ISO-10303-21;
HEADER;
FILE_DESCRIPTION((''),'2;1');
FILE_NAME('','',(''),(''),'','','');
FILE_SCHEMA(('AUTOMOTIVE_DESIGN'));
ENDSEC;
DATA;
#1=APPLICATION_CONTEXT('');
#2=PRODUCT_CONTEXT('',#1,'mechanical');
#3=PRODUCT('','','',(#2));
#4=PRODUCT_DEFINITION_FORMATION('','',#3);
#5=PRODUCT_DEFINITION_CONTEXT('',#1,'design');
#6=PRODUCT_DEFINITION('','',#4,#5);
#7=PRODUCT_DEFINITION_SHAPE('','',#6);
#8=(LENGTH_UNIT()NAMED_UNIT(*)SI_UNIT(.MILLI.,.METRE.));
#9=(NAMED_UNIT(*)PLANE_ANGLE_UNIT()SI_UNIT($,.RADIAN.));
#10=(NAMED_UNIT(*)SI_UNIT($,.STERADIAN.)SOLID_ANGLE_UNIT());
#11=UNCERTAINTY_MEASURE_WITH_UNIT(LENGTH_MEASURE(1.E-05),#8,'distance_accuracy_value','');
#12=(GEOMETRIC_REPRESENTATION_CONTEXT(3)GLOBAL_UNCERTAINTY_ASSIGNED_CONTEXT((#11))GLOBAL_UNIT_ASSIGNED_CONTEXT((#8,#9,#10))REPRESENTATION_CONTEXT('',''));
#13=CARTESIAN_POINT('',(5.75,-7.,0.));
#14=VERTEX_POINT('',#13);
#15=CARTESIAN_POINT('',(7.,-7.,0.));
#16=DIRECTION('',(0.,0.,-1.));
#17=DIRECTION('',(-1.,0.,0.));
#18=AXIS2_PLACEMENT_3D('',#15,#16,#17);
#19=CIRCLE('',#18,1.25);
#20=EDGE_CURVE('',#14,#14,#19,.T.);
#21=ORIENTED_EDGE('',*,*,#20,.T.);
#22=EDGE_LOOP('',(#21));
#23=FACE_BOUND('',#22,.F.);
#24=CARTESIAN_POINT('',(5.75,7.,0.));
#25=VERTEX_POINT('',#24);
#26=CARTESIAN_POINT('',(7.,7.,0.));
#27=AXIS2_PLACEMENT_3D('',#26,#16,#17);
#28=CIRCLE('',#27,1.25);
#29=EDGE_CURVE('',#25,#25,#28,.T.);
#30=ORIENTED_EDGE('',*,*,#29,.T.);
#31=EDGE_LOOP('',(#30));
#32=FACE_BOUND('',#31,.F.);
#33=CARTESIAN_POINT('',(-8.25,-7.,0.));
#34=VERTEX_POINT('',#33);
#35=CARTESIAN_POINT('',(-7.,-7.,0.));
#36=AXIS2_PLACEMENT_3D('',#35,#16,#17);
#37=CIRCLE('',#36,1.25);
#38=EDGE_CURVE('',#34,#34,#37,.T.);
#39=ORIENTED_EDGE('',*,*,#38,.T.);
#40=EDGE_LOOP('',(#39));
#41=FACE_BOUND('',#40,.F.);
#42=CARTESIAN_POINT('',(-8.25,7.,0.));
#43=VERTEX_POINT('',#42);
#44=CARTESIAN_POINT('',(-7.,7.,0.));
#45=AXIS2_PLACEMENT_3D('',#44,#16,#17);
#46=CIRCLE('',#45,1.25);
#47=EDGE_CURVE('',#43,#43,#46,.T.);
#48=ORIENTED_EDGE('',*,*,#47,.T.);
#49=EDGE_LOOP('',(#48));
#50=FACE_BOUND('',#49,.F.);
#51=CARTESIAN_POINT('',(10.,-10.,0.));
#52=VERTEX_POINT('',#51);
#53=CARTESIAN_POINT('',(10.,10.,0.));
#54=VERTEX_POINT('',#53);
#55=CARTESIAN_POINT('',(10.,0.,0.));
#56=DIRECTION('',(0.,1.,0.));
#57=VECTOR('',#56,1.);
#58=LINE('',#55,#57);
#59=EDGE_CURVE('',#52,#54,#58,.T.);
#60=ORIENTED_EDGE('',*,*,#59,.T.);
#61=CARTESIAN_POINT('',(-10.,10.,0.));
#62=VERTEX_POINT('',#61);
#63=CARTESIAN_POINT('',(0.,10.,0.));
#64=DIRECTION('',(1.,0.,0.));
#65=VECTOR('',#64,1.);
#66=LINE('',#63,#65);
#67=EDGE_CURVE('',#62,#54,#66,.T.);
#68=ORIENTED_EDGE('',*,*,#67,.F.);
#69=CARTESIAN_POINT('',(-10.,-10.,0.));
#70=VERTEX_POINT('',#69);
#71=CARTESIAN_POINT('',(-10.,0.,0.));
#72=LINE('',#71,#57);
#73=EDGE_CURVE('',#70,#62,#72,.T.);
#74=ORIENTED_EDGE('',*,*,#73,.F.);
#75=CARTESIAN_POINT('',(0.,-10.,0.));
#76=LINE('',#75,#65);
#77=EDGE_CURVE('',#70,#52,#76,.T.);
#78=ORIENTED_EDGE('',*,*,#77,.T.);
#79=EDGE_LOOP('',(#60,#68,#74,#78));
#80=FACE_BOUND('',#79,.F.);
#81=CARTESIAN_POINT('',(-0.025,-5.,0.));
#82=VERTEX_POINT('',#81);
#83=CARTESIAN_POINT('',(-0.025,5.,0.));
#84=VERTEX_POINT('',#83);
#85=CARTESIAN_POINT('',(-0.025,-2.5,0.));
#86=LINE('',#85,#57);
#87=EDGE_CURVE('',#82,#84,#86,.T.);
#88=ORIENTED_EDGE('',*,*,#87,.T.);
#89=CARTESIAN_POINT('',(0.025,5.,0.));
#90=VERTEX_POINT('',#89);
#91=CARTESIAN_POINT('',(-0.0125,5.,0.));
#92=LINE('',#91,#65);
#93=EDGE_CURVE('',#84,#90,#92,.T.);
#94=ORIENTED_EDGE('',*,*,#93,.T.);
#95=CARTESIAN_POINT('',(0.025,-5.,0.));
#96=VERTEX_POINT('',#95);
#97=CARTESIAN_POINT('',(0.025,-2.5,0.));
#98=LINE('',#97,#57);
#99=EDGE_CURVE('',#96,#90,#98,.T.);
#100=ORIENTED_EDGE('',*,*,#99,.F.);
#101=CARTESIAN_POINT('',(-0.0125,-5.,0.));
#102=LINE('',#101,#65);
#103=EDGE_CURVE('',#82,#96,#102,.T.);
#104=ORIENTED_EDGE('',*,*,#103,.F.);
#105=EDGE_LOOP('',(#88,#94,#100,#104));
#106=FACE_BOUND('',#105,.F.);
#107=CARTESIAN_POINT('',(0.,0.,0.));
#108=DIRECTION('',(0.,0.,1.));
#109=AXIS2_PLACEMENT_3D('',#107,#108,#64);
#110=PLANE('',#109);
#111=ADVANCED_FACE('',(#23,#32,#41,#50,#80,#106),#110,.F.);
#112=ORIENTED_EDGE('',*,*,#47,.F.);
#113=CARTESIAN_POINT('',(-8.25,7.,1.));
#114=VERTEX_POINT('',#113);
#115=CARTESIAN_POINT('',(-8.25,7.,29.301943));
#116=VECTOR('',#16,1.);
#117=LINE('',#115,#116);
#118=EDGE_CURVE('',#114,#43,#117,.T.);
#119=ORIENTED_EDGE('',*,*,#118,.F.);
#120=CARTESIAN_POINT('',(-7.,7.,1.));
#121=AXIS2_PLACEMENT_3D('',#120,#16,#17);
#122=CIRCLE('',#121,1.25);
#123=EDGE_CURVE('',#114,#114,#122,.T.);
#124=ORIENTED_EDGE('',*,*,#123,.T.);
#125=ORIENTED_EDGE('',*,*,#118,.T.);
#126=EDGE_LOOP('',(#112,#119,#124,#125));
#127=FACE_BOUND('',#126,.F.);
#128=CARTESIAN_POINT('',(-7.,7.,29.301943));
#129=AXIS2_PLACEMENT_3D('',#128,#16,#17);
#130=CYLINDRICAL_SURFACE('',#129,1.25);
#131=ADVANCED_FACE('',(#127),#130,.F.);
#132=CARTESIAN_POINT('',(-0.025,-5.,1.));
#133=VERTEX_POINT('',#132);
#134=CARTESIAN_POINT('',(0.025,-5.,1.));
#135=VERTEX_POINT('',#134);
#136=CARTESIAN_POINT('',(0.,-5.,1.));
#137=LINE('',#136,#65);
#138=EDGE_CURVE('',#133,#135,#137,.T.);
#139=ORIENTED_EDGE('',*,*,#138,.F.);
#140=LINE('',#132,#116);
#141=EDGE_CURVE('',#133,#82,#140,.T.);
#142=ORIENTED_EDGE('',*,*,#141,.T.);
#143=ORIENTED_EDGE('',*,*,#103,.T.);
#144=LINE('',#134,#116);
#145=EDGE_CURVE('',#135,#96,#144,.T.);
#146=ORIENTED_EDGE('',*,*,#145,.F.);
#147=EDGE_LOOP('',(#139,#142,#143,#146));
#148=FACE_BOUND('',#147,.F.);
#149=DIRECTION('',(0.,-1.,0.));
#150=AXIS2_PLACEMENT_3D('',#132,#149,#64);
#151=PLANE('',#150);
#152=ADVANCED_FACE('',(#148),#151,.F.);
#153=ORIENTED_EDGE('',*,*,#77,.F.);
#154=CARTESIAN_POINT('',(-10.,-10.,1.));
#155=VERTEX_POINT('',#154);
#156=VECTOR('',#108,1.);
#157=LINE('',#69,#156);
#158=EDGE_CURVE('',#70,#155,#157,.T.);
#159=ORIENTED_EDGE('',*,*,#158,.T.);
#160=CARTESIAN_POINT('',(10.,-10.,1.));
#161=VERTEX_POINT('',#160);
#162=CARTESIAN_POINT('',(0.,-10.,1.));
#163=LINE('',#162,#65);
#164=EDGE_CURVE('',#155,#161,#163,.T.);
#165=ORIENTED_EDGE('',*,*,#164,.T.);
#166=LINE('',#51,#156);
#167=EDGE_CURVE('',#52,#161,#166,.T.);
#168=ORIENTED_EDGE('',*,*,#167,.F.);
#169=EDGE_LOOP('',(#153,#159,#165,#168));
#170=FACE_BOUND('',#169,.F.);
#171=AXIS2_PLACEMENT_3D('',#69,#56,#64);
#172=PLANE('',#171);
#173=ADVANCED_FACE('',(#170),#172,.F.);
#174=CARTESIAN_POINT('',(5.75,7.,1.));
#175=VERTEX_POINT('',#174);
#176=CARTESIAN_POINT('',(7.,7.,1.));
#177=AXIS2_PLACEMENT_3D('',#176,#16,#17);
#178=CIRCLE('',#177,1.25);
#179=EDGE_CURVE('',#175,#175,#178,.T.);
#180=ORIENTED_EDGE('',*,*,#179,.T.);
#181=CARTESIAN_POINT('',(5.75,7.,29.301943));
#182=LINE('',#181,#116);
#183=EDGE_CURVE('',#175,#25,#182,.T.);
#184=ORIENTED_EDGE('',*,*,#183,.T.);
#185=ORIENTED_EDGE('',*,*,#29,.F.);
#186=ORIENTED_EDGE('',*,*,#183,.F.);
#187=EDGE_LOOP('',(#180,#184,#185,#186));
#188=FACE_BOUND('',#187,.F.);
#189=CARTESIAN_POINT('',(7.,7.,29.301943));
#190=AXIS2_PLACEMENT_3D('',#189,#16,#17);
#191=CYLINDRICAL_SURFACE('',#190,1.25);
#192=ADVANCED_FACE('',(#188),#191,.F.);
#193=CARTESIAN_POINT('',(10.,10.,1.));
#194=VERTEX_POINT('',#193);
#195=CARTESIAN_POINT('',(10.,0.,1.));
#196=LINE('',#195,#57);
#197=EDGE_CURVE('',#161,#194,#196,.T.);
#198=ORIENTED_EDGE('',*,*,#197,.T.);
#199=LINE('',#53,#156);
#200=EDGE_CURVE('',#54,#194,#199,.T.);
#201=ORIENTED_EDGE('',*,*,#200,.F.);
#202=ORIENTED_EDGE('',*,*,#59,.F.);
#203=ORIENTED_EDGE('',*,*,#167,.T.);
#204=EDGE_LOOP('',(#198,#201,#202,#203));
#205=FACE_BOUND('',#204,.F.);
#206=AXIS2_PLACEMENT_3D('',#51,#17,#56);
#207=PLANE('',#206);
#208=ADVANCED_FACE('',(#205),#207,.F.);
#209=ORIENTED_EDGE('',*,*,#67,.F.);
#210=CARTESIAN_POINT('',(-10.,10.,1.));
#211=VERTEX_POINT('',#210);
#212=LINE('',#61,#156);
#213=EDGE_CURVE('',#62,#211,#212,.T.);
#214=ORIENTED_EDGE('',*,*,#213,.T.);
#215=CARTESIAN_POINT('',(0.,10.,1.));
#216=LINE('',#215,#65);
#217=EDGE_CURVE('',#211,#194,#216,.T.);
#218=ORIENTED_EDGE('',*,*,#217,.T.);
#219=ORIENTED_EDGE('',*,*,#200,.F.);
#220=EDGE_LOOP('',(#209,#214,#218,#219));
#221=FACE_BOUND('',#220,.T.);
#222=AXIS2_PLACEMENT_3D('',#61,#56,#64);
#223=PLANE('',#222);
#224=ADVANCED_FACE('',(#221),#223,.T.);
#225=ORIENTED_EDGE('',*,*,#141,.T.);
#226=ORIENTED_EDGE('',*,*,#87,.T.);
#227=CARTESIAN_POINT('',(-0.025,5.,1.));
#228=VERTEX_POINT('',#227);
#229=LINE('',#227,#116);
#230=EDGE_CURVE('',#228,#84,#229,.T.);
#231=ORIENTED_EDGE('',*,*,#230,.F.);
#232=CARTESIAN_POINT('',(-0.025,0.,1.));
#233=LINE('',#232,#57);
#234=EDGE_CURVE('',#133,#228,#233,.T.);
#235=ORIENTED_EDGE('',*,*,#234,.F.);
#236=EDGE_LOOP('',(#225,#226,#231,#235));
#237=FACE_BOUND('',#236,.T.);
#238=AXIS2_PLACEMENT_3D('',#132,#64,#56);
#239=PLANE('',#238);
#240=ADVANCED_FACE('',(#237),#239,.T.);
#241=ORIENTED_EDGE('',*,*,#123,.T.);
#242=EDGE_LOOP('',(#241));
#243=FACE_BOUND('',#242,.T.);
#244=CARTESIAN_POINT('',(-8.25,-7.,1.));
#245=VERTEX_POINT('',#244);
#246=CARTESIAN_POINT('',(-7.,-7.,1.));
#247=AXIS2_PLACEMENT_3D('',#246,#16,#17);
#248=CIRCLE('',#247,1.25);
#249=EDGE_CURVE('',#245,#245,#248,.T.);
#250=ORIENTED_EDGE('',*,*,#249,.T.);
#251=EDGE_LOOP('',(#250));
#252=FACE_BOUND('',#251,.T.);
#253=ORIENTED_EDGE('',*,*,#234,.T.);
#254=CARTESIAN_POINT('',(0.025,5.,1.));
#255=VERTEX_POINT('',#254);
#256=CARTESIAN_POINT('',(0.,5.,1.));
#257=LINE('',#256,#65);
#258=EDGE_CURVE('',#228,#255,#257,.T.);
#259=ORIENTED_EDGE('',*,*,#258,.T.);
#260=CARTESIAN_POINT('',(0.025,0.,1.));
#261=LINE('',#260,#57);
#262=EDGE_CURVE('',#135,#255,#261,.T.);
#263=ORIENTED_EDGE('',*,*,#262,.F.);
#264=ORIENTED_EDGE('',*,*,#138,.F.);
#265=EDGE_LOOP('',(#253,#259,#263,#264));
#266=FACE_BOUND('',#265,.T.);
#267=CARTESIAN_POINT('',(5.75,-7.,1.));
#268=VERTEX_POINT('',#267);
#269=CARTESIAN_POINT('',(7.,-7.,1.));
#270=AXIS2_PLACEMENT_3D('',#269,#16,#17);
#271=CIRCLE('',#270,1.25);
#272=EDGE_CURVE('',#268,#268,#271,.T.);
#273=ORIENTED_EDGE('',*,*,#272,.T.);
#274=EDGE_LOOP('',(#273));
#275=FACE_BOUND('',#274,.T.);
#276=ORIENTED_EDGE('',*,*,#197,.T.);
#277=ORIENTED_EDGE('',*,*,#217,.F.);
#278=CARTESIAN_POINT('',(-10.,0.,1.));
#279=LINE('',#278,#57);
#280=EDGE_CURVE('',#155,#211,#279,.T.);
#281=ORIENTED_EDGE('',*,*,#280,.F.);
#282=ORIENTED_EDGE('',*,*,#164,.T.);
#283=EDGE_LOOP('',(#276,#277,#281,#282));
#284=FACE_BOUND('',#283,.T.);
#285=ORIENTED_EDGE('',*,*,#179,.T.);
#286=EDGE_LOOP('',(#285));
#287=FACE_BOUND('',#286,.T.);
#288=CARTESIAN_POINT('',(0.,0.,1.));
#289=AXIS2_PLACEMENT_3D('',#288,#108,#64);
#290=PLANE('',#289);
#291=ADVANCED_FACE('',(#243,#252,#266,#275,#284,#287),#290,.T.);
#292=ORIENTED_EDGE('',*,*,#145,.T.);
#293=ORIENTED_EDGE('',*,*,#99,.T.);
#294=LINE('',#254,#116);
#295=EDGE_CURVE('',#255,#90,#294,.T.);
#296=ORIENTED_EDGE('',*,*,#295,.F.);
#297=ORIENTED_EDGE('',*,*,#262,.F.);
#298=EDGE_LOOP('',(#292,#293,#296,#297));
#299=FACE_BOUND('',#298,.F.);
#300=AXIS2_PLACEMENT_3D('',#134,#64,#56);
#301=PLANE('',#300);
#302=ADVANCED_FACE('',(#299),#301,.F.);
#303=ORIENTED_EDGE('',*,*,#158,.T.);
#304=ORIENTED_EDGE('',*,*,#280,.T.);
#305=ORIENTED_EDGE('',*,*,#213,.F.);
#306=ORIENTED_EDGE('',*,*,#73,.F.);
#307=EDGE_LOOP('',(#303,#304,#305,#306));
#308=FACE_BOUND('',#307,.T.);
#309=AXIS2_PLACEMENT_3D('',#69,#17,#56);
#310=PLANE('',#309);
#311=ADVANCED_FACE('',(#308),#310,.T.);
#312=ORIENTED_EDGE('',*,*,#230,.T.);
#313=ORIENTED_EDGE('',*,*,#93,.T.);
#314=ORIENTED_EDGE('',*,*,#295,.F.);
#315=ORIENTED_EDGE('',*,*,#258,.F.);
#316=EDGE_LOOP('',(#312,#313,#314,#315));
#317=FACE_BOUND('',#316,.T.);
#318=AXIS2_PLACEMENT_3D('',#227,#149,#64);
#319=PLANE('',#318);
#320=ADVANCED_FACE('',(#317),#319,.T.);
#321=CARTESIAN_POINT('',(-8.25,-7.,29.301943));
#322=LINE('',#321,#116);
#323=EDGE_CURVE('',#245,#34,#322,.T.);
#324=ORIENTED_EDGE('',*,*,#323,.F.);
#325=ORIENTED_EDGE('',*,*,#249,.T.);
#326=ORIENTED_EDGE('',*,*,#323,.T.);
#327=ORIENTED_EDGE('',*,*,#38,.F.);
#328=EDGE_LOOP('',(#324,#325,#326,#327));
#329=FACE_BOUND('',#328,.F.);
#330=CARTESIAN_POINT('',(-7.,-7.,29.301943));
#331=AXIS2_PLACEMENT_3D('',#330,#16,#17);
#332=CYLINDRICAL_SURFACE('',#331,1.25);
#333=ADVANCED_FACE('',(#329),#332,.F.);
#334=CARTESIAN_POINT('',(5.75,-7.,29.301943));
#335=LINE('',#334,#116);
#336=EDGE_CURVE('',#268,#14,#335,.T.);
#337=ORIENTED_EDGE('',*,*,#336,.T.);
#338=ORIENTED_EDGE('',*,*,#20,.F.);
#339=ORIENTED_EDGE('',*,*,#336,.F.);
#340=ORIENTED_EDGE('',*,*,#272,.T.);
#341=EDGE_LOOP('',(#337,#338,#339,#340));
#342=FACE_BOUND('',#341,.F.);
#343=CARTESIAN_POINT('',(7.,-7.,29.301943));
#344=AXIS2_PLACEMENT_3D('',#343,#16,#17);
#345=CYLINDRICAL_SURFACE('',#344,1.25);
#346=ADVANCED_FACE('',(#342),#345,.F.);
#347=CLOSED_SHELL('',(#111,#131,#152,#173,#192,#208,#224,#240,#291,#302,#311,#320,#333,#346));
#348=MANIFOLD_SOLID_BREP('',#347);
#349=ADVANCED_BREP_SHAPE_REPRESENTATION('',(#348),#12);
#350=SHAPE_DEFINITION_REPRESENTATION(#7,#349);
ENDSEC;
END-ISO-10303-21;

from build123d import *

# Parameters (mm, degrees)
F0_W     = 20
F0_H     = 20
F1_DEPTH = 1
F2_W     = 0.05
F2_H     = 10
F3_DEPTH = 25
F5_D     = 2.5


with BuildPart() as f1:
    # F0 (on Top) → F1 (new body)
    with BuildSketch(Plane.XY):
        Rectangle(F0_W, F0_H)
    extrude(amount=F1_DEPTH)

    # F2 (on face) → F3 (cut)
    with BuildSketch(Plane.XY.offset(1)):
        Rectangle(F2_W, F2_H)
    extrude(amount=-F3_DEPTH, mode=Mode.SUBTRACT)

    # F5 (through all)
    with Locations(Plane.XY.offset(1)):
        with Locations((-7, -7), (7, -7), (7, 7), (-7, 7)):
            Hole(F5_D / 2)


solid = f1.part
